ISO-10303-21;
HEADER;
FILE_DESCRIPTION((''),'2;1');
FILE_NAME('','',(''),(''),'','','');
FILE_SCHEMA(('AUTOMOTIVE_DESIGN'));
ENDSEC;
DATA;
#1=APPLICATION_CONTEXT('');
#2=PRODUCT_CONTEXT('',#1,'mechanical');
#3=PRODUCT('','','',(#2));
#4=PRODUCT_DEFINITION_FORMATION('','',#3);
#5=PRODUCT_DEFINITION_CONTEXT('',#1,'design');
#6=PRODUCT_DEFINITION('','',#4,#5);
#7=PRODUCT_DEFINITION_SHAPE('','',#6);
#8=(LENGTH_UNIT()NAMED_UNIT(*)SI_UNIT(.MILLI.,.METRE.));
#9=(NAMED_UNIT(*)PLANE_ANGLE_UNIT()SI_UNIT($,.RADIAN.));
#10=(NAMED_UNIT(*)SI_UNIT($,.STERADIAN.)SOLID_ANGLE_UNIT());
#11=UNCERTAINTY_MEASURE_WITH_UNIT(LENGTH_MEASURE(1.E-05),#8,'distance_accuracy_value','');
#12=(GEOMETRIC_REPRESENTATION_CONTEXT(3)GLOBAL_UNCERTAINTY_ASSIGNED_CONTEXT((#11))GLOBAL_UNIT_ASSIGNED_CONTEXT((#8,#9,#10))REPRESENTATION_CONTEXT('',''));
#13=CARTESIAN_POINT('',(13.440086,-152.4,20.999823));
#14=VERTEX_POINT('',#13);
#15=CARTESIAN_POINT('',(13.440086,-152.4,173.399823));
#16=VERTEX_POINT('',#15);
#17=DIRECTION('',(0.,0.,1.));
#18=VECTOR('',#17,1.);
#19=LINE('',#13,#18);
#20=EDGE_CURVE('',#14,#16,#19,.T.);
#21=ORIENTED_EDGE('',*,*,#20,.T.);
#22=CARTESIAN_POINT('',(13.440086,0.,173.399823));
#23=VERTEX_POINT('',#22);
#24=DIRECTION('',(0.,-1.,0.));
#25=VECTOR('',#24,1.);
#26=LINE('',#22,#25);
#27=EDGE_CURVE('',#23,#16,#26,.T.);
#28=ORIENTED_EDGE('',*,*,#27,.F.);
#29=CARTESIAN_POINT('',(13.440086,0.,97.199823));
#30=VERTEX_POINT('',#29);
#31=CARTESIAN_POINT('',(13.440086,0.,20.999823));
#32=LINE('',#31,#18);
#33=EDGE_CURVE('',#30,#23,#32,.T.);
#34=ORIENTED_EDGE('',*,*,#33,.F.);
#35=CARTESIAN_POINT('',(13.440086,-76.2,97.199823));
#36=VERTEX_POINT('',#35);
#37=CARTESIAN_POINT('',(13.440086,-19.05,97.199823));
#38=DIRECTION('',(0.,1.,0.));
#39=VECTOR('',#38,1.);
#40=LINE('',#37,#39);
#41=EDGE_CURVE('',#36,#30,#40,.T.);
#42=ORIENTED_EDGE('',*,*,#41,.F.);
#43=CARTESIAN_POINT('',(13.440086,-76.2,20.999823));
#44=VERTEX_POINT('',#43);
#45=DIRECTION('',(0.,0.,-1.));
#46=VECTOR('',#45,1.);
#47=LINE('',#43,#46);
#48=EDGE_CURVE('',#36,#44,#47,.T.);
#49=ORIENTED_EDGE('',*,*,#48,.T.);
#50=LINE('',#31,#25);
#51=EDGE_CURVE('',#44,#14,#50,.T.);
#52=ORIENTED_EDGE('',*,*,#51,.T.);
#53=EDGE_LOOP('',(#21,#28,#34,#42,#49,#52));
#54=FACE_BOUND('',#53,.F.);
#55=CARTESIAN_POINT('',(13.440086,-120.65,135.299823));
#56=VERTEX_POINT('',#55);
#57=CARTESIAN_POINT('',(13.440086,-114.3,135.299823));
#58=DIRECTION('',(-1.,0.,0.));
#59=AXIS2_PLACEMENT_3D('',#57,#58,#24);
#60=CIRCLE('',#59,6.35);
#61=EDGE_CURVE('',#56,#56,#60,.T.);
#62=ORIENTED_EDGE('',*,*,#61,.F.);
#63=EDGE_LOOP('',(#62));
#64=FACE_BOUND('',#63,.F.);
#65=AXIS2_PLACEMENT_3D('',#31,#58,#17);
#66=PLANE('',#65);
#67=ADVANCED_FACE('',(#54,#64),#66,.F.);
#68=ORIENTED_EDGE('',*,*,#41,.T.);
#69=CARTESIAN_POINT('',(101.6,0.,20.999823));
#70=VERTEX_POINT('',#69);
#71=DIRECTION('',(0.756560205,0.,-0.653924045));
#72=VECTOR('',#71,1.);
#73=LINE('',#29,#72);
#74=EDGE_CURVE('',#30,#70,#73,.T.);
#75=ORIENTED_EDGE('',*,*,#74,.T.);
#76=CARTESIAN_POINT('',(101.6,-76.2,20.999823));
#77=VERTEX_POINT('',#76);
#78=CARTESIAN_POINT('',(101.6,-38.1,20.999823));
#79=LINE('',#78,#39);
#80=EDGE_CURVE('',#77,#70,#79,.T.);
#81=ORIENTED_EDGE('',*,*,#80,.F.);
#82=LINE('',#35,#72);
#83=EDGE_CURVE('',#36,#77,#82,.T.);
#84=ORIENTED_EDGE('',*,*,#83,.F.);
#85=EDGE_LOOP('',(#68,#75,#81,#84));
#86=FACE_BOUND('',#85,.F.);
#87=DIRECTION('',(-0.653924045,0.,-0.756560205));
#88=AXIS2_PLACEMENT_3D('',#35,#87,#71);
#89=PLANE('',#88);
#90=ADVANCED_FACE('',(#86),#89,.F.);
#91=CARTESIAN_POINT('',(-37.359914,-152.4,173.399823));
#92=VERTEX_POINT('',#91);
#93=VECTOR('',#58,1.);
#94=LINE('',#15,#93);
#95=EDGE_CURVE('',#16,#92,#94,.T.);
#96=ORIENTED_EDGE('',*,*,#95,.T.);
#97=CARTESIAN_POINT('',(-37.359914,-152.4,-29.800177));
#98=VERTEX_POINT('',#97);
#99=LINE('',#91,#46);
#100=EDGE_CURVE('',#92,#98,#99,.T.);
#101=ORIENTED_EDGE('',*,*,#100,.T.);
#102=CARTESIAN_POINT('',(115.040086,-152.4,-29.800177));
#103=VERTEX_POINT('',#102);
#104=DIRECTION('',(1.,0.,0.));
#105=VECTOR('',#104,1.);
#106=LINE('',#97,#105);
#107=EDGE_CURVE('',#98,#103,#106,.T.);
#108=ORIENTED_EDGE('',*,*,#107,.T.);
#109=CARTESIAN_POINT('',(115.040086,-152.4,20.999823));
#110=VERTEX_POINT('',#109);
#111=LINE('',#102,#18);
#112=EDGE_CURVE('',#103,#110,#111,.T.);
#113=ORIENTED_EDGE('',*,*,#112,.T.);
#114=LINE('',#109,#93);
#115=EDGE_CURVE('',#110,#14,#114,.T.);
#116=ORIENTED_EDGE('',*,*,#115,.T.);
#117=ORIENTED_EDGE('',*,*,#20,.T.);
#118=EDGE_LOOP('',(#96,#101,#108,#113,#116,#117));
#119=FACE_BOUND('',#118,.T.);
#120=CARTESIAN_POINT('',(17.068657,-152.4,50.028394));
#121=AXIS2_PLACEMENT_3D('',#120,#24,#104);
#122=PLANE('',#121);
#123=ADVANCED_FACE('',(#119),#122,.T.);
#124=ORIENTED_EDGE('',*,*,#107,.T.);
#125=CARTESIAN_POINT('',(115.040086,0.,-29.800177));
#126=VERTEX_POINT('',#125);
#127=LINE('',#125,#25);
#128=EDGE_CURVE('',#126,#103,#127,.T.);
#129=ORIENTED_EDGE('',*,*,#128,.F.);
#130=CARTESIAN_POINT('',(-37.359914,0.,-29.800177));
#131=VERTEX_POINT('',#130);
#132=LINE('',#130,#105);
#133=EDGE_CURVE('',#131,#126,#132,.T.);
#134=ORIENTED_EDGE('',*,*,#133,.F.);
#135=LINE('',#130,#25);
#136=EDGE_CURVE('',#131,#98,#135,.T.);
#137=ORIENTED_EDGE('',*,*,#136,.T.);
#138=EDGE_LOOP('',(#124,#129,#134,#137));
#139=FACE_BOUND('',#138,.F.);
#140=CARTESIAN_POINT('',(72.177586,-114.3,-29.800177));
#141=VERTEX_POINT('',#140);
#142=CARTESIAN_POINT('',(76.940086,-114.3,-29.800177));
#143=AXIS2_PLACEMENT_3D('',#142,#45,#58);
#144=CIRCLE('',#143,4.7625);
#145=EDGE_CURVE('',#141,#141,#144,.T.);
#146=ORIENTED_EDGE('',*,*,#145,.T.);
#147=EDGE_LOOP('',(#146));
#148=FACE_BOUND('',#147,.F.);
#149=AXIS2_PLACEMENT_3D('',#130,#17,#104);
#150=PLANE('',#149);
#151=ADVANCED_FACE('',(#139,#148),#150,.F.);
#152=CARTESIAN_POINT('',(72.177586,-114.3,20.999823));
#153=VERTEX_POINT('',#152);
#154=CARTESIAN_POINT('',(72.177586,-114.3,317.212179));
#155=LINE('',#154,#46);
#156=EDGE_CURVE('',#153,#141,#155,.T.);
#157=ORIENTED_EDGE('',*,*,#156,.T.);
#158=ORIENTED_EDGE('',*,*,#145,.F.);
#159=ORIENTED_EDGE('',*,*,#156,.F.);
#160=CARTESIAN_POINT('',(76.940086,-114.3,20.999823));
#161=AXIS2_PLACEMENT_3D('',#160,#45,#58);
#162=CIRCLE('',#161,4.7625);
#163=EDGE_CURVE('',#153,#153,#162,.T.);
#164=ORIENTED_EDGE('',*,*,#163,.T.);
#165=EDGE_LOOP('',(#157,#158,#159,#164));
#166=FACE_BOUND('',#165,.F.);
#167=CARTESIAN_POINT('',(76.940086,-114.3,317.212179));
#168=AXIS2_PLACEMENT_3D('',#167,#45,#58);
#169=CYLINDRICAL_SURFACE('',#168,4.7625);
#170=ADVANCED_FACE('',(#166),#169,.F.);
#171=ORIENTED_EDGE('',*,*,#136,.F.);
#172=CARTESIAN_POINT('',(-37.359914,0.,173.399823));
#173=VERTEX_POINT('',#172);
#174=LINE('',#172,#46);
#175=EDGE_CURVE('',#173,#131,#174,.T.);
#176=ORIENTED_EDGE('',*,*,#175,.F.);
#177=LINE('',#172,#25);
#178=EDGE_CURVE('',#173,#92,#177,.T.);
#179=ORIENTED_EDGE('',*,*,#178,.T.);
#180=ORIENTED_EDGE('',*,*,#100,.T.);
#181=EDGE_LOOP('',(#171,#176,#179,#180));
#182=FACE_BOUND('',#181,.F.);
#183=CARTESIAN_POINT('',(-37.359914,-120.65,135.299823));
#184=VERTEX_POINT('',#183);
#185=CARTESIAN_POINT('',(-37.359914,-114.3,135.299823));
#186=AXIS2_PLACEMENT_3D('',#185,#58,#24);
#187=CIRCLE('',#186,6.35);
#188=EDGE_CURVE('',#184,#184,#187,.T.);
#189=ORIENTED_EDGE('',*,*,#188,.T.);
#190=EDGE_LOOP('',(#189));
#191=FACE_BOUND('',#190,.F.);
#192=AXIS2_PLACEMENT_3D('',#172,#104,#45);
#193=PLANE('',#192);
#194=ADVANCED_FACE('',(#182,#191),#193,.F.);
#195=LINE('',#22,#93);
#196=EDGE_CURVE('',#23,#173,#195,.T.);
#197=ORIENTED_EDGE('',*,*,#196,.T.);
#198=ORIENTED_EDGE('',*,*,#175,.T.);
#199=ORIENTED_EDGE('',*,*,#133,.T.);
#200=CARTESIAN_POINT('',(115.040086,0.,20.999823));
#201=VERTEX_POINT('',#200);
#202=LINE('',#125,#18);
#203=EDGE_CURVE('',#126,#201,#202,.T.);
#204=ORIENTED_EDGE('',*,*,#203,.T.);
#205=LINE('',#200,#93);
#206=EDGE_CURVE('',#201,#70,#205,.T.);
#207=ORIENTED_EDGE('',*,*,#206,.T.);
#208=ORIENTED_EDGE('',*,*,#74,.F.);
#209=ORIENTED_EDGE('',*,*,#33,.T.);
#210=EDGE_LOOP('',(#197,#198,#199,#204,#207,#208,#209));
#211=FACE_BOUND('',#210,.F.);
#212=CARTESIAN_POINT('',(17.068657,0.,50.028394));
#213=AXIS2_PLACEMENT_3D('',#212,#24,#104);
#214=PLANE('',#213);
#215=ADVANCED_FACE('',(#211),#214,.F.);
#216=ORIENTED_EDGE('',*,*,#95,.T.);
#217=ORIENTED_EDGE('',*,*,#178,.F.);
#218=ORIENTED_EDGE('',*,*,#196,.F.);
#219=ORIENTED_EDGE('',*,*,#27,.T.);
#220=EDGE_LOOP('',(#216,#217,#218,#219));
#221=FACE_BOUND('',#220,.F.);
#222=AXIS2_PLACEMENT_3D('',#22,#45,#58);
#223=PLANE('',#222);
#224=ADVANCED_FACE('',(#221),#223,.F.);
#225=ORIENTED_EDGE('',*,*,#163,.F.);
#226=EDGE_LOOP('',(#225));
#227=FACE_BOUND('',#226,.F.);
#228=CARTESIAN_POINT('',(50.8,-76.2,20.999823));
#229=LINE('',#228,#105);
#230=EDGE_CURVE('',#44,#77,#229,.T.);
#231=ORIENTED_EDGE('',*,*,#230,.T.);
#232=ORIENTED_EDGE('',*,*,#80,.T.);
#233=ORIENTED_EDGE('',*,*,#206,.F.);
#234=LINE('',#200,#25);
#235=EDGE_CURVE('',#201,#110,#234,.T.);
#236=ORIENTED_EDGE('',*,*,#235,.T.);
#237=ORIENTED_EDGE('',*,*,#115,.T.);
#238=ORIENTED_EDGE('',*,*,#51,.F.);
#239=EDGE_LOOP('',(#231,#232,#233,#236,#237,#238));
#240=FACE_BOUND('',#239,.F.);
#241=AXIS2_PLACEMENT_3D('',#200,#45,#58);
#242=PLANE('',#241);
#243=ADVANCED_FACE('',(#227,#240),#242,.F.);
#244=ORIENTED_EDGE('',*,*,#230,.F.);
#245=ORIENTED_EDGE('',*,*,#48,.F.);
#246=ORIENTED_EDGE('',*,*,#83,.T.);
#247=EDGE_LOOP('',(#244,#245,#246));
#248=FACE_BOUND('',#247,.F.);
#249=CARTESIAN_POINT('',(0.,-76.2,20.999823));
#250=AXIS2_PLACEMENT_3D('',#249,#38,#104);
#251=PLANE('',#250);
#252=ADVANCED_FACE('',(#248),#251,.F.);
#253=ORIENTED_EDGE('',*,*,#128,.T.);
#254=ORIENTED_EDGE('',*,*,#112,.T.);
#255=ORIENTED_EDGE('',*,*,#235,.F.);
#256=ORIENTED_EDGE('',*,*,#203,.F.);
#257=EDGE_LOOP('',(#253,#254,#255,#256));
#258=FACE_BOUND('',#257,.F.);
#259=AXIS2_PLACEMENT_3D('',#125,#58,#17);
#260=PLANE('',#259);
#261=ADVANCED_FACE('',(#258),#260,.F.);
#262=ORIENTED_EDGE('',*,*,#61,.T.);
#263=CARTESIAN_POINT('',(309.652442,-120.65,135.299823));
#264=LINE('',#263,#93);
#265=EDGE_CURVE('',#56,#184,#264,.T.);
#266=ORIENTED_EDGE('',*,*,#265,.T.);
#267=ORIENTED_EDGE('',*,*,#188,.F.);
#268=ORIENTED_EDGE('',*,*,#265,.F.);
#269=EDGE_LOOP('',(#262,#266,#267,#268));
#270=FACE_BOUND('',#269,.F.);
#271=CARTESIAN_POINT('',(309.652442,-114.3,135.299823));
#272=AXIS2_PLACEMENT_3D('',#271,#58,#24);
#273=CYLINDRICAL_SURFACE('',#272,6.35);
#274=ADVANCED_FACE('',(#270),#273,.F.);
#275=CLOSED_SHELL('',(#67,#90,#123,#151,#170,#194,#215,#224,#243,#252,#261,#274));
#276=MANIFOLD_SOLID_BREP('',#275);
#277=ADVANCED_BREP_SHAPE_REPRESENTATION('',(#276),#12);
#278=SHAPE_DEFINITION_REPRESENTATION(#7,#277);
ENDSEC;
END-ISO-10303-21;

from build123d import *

# Parameters (mm, degrees)
F1_DEPTH = 152.4
F2_W     = 101.6
F2_H     = 76.2
F3_DEPTH = 76.2
F5_DEPTH = 76.2
F7_D     = 9.525
F9_D     = 12.7


with BuildPart() as f1:
    # F0 (on Front) → F1 (new body)
    with BuildSketch(Plane.XZ):
        Polygon((13.440086, 20.999823), (13.440086, 173.399823), (-37.359914, 173.399823), (-37.359914, -29.800177), (115.040086, -29.800177), (115.040086, 20.999823), align=None)
    extrude(amount=F1_DEPTH)

    # F2 (on face) → F3 (join)
    with BuildSketch(Plane.XY.offset(20.999823)):
        with Locations((50.8, -38.1)):
            Rectangle(F2_W, F2_H)
    extrude(amount=F3_DEPTH)

    # F4 (on face) → F5 (cut)
    with BuildSketch(Plane.XZ.offset(76.2)):
        Polygon((101.6, 97.199823), (13.440086, 97.199823), (101.6, 20.999823), align=None)
    extrude(amount=-F5_DEPTH, mode=Mode.SUBTRACT)

    # F7 (through all)
    with Locations(Plane.XY.offset(20.999823)):
        with Locations((76.940086, -114.3)):
            Hole(F7_D / 2)

    # F9 (through all)
    with Locations(Plane.YZ.offset(13.440086)):
        with Locations((-114.3, 135.299823)):
            Hole(F9_D / 2)


solid = f1.part
